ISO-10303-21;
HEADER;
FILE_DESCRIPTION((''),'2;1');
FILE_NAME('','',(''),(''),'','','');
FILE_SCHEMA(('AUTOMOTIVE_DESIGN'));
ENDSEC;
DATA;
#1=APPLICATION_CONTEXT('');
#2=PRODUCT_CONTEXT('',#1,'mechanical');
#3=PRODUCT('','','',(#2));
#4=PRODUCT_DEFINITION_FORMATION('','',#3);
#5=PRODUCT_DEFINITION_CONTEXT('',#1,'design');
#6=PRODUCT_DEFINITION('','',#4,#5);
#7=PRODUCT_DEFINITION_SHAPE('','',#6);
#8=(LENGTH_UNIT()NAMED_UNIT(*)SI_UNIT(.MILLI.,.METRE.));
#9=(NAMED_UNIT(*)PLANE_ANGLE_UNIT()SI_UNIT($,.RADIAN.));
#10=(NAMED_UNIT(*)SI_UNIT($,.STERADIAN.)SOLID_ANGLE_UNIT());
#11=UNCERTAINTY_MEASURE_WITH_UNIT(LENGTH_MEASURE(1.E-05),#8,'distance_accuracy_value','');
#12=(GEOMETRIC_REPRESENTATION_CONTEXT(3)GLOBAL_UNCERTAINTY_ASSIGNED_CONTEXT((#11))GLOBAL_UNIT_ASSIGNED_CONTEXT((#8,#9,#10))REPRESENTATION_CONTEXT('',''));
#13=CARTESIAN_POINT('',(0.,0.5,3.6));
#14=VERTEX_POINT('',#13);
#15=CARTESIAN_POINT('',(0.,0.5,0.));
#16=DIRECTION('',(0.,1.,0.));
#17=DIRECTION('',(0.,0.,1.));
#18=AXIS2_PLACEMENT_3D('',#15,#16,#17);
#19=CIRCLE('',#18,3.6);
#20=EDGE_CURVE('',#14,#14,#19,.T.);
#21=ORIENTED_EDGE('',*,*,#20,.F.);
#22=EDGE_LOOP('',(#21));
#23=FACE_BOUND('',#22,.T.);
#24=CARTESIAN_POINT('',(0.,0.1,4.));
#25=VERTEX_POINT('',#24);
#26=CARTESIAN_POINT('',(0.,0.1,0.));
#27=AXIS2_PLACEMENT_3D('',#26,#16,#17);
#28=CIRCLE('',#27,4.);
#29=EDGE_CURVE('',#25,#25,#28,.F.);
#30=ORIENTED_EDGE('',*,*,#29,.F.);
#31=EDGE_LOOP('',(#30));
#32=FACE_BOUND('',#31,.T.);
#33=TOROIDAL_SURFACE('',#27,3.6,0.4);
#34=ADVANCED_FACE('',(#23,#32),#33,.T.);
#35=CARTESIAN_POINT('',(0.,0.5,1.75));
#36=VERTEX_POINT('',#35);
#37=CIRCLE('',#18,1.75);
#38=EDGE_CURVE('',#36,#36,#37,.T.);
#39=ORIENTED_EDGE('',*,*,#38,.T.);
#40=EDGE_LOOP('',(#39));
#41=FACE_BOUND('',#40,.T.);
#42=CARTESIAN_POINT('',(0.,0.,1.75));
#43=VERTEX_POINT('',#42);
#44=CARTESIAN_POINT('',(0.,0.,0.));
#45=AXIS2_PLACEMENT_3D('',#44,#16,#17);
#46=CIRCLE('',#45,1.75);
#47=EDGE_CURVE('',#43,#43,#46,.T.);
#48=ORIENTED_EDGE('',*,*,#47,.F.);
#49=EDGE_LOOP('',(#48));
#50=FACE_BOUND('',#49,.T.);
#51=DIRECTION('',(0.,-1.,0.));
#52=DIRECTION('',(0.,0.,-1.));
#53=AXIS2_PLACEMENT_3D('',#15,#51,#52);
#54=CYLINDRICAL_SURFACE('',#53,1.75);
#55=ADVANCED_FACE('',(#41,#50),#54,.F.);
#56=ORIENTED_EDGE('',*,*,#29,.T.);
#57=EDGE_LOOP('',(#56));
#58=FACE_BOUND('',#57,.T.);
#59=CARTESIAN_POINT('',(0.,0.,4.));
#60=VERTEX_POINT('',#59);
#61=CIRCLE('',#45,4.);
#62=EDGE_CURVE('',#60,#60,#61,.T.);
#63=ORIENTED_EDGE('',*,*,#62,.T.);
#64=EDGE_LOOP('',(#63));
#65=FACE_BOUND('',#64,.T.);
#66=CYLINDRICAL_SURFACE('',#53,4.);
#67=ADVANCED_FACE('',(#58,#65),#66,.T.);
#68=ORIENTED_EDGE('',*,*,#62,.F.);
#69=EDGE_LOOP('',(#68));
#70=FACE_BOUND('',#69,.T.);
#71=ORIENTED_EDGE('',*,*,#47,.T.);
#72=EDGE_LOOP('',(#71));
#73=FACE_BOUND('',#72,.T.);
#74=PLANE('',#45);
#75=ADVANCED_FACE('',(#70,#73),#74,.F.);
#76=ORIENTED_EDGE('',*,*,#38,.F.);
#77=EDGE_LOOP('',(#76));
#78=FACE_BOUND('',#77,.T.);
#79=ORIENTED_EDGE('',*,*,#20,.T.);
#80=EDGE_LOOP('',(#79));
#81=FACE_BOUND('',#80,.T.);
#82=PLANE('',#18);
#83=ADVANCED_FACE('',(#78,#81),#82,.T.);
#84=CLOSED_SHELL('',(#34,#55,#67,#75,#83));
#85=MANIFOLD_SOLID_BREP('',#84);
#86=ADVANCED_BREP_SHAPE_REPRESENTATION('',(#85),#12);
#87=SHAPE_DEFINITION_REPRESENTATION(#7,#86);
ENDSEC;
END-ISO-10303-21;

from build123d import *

# Parameters (mm, degrees)
SKETCH_1_R      = 4
SKETCH_1_R_2    = 1.75
EXTRUDE_1_DEPTH = 0.5
FILLET_1_R      = 0.4


with BuildPart() as part:
    # 草图1 → 凸台-拉伸1 (new body)
    with BuildSketch(Plane(origin=(0, 0, 0), x_dir=(1, 0, 0), z_dir=(0, 1, 0))):
        with Locations(Location((0, 0, 0), (0, 0, 270))):
            Circle(SKETCH_1_R)
        with Locations(Location((0, 0, 0), (0, 0, 270))):
            Circle(SKETCH_1_R_2, mode=Mode.SUBTRACT)
    extrude(amount=EXTRUDE_1_DEPTH)

    # 圆角1
    fillet_1_edges = [part.edges().sort_by_distance(p)[0] for p in [
        (0, 0.5, -4),
    ]]
    fillet(fillet_1_edges, radius=FILLET_1_R)


solid = part.part
